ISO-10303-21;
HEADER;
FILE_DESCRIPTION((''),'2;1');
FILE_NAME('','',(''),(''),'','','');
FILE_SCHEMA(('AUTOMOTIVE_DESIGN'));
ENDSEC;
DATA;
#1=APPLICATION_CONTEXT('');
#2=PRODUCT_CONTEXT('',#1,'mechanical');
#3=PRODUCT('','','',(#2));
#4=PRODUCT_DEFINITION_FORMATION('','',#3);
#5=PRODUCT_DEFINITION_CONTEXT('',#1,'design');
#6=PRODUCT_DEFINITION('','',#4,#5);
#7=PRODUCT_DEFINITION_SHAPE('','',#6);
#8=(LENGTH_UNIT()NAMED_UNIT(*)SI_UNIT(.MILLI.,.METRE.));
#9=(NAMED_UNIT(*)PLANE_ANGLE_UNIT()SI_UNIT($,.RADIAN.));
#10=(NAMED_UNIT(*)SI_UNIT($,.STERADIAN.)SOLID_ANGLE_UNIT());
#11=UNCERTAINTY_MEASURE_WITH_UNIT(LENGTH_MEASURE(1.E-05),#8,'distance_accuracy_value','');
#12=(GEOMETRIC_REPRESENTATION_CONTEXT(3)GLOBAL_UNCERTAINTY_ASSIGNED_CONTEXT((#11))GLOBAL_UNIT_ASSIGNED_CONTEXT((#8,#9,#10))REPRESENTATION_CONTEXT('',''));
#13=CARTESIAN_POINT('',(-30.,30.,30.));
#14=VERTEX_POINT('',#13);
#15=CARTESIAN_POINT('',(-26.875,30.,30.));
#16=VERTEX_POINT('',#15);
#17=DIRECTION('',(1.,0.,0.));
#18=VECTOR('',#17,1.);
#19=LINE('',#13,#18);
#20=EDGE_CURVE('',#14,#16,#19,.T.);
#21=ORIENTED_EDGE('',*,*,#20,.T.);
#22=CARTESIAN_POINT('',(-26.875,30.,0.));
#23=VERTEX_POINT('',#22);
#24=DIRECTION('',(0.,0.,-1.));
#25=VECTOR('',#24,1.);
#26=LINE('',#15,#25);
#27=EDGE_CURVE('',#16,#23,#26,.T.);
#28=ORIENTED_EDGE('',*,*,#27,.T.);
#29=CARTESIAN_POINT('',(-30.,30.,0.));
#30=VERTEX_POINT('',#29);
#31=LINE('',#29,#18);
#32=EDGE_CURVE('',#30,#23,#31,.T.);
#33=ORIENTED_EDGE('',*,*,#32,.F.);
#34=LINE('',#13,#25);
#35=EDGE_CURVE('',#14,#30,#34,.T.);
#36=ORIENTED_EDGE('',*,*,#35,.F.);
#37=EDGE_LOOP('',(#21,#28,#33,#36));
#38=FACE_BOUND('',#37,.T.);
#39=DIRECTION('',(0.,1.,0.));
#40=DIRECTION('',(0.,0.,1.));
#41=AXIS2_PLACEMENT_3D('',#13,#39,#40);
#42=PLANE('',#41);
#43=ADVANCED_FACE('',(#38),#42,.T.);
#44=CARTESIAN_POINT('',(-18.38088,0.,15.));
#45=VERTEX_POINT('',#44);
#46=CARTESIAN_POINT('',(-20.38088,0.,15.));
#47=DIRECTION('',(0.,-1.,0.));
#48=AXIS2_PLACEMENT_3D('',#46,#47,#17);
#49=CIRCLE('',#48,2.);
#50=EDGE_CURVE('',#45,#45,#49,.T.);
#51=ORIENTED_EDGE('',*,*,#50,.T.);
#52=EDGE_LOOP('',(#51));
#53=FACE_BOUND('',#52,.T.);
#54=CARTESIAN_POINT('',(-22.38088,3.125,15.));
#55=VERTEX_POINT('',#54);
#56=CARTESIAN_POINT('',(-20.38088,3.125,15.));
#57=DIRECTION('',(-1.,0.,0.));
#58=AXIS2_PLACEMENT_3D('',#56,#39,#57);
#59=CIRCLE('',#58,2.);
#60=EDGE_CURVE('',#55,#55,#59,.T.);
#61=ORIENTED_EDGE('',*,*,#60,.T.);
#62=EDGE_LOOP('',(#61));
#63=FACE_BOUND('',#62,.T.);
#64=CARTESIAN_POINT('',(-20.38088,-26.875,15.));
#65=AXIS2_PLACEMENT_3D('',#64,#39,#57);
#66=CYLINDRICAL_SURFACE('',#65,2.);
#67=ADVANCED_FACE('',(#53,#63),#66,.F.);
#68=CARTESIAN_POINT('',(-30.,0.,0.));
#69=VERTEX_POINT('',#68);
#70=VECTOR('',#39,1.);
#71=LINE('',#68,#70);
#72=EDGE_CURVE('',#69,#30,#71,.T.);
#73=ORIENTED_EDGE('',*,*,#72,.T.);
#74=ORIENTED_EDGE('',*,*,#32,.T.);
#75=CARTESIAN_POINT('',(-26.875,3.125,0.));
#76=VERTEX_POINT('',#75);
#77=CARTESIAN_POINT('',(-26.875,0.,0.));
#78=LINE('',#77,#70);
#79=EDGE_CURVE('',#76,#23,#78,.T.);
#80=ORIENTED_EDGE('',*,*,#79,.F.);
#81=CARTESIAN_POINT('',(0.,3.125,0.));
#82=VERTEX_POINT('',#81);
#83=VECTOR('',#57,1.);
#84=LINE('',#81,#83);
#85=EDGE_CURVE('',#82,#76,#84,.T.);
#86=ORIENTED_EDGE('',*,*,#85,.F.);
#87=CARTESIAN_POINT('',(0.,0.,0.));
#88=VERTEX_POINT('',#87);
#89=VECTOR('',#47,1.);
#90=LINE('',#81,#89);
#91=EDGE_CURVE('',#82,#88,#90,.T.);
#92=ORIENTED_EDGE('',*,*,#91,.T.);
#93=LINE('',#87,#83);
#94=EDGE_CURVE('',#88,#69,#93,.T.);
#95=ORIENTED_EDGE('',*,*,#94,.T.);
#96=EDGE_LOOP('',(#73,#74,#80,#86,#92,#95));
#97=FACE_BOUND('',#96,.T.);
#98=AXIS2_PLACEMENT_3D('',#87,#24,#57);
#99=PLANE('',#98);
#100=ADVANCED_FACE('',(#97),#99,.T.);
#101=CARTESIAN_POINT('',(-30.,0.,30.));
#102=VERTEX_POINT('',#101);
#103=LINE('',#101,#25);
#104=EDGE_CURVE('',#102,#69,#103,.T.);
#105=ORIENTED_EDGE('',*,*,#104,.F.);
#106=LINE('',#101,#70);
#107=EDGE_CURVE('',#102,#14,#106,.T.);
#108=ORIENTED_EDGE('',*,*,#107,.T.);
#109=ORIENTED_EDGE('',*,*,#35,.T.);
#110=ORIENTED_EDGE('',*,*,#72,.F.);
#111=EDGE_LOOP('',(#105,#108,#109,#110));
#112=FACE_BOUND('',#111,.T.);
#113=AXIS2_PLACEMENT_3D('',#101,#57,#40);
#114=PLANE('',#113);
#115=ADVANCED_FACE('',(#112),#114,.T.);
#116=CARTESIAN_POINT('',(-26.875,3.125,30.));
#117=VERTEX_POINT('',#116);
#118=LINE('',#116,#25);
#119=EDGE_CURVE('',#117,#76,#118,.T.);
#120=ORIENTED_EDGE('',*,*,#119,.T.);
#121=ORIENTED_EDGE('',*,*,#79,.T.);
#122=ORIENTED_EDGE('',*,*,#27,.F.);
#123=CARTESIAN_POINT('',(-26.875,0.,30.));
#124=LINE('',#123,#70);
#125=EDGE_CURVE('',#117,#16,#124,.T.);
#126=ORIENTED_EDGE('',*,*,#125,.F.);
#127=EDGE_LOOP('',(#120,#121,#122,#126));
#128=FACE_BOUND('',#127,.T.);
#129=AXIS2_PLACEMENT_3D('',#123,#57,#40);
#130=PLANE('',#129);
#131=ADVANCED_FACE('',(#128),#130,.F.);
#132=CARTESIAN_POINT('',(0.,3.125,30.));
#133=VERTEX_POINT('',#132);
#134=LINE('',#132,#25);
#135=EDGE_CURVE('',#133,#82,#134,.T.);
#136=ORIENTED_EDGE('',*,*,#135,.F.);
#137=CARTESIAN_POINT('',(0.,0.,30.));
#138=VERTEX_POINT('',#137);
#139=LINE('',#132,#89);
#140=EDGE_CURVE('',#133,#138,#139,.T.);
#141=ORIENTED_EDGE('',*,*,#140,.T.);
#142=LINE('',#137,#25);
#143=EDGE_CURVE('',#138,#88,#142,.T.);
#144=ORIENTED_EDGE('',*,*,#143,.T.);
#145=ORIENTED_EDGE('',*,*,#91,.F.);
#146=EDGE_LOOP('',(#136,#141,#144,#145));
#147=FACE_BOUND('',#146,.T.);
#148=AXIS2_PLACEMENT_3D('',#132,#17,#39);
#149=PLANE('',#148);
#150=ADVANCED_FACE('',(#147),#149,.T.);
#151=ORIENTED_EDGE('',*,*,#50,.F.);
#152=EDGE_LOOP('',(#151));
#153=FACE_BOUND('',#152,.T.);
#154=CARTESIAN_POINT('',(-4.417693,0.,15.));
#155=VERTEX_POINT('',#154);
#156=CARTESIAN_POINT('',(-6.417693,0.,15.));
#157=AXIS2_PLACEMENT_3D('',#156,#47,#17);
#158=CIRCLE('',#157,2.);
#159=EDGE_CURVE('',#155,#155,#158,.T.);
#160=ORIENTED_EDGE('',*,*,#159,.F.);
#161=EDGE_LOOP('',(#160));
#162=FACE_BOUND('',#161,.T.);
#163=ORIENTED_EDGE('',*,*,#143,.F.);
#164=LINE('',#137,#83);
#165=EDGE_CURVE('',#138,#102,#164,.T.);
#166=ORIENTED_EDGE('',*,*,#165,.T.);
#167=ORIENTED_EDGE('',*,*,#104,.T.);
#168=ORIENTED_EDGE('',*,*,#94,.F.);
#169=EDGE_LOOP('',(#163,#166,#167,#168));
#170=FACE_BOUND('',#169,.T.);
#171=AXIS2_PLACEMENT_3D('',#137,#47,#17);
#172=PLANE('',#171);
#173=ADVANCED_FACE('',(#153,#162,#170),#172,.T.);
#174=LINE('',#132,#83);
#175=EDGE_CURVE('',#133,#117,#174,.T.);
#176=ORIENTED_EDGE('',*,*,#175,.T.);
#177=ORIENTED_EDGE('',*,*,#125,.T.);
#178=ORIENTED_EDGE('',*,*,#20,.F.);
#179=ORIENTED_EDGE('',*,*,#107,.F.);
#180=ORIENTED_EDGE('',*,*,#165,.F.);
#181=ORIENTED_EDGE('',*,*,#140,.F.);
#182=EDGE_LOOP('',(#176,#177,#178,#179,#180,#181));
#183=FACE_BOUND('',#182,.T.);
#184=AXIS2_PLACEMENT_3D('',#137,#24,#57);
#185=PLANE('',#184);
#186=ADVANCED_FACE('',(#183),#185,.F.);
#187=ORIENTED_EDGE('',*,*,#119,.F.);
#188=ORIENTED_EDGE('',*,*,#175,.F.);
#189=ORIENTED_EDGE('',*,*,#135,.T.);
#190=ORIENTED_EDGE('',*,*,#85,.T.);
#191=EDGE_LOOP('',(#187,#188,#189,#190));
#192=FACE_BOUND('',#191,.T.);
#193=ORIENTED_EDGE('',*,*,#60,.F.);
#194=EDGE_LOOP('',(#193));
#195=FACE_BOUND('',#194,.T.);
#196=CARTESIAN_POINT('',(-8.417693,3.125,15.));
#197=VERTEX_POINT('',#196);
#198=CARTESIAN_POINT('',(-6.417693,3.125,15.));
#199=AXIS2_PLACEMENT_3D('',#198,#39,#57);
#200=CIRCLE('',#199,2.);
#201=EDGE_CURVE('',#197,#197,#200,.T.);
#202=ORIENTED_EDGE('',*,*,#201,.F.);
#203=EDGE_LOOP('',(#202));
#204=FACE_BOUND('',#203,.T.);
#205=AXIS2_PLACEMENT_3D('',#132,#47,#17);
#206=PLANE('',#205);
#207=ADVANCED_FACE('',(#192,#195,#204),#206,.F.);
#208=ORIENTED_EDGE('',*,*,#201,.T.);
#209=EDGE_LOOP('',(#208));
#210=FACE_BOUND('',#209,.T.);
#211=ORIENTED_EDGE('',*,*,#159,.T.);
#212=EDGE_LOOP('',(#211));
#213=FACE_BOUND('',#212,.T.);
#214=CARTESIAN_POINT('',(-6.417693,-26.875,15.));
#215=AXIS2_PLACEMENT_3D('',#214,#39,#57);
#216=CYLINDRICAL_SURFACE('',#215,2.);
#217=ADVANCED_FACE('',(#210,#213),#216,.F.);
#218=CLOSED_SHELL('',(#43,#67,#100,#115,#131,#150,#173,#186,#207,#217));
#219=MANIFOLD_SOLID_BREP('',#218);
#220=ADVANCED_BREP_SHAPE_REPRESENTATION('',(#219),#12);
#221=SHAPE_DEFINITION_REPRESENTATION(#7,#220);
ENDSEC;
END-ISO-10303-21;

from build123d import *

# Parameters (mm, degrees)
EXTRUS_O_FINA1_DEPTH  = 30
ESBO_O2_R             = 2
CORTE_EXTRUS_O1_DEPTH = 30


with BuildPart() as part:
    # Esboço1 → Extrusão-Fina1 (new body)
    with BuildSketch(Plane.XY):
        Polygon((0, 0), (-30, 0), (-30, 30), (-26.875, 30), (-26.875, 3.125), (0, 3.125), align=None)
    extrude(amount=EXTRUS_O_FINA1_DEPTH)

    # Esboço2 → Corte-extrusão1 (cut)
    with BuildSketch(Plane(origin=(0, 3.125, 0), x_dir=(1, 0, 0), z_dir=(0, 1, 0))):
        with Locations(Location((-6.417692874, -15, 0), (0, 0, 180))):  # turned: the seam where the file's is
            Circle(ESBO_O2_R)
        with Locations(Location((-20.380879672, -15, 0), (0, 0, 180))):  # turned: the seam where the file's is
            Circle(ESBO_O2_R)
    extrude(amount=-CORTE_EXTRUS_O1_DEPTH, mode=Mode.SUBTRACT)


solid = part.part
